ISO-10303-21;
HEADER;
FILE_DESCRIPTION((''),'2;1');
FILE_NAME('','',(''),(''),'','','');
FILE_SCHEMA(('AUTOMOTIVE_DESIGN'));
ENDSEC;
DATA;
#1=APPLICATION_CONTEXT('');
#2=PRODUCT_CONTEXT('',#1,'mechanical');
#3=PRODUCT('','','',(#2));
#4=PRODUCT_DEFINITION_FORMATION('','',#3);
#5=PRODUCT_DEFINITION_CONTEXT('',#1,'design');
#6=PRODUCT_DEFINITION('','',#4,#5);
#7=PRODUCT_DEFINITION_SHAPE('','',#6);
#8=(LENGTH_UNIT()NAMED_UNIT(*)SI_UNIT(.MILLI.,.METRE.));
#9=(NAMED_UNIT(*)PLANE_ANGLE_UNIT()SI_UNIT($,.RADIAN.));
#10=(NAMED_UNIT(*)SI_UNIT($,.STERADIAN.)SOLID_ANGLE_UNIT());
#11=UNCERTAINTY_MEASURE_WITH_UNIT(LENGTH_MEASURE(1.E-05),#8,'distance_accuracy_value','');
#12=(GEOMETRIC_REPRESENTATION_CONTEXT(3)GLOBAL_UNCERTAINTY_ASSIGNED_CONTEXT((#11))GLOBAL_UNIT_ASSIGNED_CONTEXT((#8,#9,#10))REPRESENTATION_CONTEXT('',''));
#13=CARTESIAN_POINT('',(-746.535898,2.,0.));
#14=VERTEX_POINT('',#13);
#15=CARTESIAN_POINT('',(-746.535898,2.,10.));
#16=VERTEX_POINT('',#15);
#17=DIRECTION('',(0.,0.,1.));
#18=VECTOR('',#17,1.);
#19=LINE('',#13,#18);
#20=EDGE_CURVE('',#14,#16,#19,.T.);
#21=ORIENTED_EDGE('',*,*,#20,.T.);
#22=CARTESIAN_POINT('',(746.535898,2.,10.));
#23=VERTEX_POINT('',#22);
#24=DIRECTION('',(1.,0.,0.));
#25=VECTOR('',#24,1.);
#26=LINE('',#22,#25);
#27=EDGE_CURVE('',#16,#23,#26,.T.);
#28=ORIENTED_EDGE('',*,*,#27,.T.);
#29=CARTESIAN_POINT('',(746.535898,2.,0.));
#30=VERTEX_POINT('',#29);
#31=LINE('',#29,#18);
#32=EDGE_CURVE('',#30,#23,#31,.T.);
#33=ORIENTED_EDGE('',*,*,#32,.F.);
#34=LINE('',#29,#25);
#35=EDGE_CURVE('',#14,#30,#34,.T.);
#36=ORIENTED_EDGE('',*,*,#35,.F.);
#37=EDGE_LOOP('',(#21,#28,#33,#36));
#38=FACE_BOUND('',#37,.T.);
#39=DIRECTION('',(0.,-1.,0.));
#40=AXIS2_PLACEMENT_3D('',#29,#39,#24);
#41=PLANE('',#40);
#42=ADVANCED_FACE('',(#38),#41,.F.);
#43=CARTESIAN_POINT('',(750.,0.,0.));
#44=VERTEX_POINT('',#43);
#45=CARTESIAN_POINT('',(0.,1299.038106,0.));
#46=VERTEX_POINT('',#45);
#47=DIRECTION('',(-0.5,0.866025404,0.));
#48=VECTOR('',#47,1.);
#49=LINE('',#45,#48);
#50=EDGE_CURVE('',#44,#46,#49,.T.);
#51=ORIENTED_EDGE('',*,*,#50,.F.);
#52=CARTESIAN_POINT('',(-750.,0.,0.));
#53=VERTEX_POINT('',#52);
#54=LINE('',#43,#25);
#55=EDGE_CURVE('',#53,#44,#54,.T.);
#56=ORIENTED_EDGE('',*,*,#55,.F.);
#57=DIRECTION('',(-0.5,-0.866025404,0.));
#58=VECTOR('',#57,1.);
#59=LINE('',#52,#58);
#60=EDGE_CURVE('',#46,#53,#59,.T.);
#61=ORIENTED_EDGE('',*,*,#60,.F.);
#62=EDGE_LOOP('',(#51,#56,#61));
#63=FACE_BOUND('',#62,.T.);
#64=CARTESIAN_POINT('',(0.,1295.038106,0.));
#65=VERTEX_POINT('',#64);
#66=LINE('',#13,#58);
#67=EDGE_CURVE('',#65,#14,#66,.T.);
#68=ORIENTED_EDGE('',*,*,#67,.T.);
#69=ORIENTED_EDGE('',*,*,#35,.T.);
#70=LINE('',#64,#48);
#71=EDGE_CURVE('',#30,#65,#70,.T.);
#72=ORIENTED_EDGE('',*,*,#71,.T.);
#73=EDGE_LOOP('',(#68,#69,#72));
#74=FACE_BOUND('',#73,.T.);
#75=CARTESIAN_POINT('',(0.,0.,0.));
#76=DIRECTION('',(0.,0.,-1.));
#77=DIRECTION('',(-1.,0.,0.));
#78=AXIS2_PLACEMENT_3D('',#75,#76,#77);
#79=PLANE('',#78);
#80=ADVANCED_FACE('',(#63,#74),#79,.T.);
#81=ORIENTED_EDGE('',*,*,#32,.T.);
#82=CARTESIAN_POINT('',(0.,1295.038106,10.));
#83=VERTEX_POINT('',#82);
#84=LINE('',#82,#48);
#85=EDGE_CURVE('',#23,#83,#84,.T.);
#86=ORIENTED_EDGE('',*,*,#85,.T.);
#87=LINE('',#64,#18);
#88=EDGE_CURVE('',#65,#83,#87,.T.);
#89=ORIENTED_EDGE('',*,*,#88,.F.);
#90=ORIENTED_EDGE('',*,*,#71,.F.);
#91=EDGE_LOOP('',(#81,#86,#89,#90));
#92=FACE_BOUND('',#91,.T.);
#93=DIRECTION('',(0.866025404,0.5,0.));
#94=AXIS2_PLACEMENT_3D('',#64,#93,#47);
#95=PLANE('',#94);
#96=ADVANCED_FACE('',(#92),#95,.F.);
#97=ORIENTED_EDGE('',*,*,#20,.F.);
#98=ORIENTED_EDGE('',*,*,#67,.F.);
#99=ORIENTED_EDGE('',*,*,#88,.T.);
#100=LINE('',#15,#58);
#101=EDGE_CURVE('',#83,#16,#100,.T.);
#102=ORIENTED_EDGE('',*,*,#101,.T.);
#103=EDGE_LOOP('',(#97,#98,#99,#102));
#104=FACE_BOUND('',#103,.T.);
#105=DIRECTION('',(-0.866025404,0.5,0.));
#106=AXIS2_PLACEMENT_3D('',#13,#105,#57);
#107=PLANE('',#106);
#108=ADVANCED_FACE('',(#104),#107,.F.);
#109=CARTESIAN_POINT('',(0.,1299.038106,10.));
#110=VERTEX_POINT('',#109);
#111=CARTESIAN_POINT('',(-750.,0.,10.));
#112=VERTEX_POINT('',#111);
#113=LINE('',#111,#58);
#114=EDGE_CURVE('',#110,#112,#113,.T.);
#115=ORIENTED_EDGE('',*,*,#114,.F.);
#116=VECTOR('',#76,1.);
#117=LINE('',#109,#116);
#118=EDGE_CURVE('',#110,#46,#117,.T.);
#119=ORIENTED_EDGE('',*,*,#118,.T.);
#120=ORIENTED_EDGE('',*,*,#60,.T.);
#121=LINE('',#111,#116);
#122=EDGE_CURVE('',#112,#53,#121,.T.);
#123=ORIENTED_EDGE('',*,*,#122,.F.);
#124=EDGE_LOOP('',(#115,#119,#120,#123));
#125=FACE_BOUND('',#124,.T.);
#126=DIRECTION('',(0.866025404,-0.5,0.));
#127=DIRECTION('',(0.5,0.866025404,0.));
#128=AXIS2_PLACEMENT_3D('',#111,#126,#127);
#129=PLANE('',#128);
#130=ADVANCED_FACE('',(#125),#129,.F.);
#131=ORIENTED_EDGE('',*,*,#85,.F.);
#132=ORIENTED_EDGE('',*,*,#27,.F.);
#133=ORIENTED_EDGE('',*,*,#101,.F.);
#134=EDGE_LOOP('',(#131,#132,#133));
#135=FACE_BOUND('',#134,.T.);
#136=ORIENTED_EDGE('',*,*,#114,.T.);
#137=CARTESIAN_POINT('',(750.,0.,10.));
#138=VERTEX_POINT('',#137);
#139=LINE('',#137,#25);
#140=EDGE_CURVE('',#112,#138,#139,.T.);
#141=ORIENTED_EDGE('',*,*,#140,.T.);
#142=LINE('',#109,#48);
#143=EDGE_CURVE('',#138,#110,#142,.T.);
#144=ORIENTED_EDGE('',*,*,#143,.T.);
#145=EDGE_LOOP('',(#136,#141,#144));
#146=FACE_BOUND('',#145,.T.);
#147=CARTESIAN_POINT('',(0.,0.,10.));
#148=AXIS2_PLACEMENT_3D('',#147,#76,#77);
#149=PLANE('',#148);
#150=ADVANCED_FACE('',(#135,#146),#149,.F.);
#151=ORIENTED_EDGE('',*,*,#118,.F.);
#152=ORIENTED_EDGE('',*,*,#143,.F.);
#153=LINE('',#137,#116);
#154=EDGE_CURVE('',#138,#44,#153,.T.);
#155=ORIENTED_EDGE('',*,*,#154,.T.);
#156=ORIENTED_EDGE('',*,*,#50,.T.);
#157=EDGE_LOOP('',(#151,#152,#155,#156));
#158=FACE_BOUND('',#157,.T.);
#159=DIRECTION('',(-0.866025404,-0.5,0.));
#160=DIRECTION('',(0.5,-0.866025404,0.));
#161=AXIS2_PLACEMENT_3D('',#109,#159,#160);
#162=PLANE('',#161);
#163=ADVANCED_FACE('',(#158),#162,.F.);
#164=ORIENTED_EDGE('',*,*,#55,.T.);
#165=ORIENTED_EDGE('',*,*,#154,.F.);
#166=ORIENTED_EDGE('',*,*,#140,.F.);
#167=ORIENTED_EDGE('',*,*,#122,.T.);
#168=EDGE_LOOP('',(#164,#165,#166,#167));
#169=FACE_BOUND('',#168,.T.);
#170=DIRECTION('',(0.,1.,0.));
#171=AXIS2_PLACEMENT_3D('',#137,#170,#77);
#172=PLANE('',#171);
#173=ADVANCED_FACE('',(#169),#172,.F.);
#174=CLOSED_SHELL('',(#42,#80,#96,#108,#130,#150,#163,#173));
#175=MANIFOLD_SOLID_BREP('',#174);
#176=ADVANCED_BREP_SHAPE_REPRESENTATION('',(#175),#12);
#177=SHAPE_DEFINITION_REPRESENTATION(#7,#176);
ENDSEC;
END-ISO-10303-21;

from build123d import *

# Parameters (mm, degrees)
BOSS_EXTRU_1_DEPTH      = 10
ENL_V_MAT_EXTRU_1_DEPTH = 10


with BuildPart() as part:
    # Esquisse1 → Boss.-Extru.1 (new body)
    with BuildSketch(Plane.XY):
        Polygon((-750, 0), (0, 1299.038105677), (750, 0), align=None)
    extrude(amount=BOSS_EXTRU_1_DEPTH)

    # Esquisse2 → Enlèv. mat.-Extru.1 (cut)
    with BuildSketch(Plane.XY.offset(10)):
        Polygon((-746.535898385, 2), (0, 1295.038105677), (746.535898385, 2), align=None)
    extrude(amount=-ENL_V_MAT_EXTRU_1_DEPTH, mode=Mode.SUBTRACT)


solid = part.part
